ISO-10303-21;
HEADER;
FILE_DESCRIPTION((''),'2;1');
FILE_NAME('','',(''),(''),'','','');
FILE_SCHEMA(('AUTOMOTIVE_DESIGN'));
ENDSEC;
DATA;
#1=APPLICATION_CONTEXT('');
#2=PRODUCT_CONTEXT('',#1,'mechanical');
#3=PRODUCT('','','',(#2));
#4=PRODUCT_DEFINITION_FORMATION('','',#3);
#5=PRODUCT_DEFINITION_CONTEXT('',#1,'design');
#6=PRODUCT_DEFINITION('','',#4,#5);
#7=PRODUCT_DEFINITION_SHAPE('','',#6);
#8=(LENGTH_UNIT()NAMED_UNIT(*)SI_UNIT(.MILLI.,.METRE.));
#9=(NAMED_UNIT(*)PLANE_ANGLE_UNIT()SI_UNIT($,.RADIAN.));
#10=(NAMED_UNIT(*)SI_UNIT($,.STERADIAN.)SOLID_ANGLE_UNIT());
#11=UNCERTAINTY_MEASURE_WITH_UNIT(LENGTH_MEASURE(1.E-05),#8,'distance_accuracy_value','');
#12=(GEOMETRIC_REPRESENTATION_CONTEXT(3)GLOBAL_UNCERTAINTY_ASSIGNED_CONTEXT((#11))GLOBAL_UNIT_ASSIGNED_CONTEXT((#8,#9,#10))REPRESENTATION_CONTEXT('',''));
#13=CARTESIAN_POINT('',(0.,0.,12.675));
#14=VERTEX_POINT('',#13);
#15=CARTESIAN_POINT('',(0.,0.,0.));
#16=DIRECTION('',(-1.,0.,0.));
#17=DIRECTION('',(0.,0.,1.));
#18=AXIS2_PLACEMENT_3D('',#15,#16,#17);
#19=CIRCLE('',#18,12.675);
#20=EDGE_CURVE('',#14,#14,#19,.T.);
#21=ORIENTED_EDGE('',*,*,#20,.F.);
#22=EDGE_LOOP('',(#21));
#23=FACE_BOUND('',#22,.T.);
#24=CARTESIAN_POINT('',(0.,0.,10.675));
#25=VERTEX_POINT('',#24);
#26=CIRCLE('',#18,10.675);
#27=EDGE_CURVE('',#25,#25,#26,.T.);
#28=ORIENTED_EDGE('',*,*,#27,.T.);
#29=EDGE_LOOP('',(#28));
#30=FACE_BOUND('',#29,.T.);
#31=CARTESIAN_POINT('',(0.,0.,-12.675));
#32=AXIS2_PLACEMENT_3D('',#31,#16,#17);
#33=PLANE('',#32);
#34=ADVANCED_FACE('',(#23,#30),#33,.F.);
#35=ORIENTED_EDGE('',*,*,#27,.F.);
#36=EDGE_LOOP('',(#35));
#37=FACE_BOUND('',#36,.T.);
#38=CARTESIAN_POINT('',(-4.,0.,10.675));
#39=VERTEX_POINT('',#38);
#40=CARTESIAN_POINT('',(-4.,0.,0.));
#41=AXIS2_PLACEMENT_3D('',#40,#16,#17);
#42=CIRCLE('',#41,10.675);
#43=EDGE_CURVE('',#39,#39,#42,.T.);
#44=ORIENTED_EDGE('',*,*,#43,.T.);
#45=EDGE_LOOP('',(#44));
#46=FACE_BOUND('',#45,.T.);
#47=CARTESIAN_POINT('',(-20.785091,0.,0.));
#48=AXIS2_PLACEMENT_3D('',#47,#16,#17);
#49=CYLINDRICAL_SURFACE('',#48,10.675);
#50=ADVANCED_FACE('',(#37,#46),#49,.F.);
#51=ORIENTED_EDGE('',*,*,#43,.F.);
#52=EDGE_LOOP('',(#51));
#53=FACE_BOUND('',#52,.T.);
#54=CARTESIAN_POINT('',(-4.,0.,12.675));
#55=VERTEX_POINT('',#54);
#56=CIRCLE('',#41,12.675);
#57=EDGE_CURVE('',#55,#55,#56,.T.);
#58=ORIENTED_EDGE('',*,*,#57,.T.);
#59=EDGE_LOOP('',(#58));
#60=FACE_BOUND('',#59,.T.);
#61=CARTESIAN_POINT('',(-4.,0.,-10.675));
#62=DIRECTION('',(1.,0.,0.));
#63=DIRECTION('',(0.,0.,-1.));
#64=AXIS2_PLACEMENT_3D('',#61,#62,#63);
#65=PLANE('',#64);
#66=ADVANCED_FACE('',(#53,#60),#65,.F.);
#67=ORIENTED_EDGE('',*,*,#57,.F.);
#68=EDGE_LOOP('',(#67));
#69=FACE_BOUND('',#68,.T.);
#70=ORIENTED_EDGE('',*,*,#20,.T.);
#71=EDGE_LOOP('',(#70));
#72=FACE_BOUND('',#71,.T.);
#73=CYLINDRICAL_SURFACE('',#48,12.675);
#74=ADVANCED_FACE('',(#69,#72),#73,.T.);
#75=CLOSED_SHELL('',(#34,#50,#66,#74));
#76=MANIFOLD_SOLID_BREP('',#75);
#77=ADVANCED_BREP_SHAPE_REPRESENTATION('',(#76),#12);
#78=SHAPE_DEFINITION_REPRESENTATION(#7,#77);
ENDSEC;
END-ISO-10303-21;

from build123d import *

# Parameters (mm, degrees)
CROQUIS1_W = 4
CROQUIS1_H = 2


with BuildPart() as part:
    # Croquis1 → Revolución1 (revolve)
    with BuildSketch(Plane(origin=(0, 0, 0), x_dir=(1, 0, 0), z_dir=(0, 1, 0))):
        with Locations((-2, 11.675)):
            Rectangle(CROQUIS1_W, CROQUIS1_H)
    revolve(axis=Axis((-20.785091056, 0, 0), (1, 0, 0)))


solid = part.part
